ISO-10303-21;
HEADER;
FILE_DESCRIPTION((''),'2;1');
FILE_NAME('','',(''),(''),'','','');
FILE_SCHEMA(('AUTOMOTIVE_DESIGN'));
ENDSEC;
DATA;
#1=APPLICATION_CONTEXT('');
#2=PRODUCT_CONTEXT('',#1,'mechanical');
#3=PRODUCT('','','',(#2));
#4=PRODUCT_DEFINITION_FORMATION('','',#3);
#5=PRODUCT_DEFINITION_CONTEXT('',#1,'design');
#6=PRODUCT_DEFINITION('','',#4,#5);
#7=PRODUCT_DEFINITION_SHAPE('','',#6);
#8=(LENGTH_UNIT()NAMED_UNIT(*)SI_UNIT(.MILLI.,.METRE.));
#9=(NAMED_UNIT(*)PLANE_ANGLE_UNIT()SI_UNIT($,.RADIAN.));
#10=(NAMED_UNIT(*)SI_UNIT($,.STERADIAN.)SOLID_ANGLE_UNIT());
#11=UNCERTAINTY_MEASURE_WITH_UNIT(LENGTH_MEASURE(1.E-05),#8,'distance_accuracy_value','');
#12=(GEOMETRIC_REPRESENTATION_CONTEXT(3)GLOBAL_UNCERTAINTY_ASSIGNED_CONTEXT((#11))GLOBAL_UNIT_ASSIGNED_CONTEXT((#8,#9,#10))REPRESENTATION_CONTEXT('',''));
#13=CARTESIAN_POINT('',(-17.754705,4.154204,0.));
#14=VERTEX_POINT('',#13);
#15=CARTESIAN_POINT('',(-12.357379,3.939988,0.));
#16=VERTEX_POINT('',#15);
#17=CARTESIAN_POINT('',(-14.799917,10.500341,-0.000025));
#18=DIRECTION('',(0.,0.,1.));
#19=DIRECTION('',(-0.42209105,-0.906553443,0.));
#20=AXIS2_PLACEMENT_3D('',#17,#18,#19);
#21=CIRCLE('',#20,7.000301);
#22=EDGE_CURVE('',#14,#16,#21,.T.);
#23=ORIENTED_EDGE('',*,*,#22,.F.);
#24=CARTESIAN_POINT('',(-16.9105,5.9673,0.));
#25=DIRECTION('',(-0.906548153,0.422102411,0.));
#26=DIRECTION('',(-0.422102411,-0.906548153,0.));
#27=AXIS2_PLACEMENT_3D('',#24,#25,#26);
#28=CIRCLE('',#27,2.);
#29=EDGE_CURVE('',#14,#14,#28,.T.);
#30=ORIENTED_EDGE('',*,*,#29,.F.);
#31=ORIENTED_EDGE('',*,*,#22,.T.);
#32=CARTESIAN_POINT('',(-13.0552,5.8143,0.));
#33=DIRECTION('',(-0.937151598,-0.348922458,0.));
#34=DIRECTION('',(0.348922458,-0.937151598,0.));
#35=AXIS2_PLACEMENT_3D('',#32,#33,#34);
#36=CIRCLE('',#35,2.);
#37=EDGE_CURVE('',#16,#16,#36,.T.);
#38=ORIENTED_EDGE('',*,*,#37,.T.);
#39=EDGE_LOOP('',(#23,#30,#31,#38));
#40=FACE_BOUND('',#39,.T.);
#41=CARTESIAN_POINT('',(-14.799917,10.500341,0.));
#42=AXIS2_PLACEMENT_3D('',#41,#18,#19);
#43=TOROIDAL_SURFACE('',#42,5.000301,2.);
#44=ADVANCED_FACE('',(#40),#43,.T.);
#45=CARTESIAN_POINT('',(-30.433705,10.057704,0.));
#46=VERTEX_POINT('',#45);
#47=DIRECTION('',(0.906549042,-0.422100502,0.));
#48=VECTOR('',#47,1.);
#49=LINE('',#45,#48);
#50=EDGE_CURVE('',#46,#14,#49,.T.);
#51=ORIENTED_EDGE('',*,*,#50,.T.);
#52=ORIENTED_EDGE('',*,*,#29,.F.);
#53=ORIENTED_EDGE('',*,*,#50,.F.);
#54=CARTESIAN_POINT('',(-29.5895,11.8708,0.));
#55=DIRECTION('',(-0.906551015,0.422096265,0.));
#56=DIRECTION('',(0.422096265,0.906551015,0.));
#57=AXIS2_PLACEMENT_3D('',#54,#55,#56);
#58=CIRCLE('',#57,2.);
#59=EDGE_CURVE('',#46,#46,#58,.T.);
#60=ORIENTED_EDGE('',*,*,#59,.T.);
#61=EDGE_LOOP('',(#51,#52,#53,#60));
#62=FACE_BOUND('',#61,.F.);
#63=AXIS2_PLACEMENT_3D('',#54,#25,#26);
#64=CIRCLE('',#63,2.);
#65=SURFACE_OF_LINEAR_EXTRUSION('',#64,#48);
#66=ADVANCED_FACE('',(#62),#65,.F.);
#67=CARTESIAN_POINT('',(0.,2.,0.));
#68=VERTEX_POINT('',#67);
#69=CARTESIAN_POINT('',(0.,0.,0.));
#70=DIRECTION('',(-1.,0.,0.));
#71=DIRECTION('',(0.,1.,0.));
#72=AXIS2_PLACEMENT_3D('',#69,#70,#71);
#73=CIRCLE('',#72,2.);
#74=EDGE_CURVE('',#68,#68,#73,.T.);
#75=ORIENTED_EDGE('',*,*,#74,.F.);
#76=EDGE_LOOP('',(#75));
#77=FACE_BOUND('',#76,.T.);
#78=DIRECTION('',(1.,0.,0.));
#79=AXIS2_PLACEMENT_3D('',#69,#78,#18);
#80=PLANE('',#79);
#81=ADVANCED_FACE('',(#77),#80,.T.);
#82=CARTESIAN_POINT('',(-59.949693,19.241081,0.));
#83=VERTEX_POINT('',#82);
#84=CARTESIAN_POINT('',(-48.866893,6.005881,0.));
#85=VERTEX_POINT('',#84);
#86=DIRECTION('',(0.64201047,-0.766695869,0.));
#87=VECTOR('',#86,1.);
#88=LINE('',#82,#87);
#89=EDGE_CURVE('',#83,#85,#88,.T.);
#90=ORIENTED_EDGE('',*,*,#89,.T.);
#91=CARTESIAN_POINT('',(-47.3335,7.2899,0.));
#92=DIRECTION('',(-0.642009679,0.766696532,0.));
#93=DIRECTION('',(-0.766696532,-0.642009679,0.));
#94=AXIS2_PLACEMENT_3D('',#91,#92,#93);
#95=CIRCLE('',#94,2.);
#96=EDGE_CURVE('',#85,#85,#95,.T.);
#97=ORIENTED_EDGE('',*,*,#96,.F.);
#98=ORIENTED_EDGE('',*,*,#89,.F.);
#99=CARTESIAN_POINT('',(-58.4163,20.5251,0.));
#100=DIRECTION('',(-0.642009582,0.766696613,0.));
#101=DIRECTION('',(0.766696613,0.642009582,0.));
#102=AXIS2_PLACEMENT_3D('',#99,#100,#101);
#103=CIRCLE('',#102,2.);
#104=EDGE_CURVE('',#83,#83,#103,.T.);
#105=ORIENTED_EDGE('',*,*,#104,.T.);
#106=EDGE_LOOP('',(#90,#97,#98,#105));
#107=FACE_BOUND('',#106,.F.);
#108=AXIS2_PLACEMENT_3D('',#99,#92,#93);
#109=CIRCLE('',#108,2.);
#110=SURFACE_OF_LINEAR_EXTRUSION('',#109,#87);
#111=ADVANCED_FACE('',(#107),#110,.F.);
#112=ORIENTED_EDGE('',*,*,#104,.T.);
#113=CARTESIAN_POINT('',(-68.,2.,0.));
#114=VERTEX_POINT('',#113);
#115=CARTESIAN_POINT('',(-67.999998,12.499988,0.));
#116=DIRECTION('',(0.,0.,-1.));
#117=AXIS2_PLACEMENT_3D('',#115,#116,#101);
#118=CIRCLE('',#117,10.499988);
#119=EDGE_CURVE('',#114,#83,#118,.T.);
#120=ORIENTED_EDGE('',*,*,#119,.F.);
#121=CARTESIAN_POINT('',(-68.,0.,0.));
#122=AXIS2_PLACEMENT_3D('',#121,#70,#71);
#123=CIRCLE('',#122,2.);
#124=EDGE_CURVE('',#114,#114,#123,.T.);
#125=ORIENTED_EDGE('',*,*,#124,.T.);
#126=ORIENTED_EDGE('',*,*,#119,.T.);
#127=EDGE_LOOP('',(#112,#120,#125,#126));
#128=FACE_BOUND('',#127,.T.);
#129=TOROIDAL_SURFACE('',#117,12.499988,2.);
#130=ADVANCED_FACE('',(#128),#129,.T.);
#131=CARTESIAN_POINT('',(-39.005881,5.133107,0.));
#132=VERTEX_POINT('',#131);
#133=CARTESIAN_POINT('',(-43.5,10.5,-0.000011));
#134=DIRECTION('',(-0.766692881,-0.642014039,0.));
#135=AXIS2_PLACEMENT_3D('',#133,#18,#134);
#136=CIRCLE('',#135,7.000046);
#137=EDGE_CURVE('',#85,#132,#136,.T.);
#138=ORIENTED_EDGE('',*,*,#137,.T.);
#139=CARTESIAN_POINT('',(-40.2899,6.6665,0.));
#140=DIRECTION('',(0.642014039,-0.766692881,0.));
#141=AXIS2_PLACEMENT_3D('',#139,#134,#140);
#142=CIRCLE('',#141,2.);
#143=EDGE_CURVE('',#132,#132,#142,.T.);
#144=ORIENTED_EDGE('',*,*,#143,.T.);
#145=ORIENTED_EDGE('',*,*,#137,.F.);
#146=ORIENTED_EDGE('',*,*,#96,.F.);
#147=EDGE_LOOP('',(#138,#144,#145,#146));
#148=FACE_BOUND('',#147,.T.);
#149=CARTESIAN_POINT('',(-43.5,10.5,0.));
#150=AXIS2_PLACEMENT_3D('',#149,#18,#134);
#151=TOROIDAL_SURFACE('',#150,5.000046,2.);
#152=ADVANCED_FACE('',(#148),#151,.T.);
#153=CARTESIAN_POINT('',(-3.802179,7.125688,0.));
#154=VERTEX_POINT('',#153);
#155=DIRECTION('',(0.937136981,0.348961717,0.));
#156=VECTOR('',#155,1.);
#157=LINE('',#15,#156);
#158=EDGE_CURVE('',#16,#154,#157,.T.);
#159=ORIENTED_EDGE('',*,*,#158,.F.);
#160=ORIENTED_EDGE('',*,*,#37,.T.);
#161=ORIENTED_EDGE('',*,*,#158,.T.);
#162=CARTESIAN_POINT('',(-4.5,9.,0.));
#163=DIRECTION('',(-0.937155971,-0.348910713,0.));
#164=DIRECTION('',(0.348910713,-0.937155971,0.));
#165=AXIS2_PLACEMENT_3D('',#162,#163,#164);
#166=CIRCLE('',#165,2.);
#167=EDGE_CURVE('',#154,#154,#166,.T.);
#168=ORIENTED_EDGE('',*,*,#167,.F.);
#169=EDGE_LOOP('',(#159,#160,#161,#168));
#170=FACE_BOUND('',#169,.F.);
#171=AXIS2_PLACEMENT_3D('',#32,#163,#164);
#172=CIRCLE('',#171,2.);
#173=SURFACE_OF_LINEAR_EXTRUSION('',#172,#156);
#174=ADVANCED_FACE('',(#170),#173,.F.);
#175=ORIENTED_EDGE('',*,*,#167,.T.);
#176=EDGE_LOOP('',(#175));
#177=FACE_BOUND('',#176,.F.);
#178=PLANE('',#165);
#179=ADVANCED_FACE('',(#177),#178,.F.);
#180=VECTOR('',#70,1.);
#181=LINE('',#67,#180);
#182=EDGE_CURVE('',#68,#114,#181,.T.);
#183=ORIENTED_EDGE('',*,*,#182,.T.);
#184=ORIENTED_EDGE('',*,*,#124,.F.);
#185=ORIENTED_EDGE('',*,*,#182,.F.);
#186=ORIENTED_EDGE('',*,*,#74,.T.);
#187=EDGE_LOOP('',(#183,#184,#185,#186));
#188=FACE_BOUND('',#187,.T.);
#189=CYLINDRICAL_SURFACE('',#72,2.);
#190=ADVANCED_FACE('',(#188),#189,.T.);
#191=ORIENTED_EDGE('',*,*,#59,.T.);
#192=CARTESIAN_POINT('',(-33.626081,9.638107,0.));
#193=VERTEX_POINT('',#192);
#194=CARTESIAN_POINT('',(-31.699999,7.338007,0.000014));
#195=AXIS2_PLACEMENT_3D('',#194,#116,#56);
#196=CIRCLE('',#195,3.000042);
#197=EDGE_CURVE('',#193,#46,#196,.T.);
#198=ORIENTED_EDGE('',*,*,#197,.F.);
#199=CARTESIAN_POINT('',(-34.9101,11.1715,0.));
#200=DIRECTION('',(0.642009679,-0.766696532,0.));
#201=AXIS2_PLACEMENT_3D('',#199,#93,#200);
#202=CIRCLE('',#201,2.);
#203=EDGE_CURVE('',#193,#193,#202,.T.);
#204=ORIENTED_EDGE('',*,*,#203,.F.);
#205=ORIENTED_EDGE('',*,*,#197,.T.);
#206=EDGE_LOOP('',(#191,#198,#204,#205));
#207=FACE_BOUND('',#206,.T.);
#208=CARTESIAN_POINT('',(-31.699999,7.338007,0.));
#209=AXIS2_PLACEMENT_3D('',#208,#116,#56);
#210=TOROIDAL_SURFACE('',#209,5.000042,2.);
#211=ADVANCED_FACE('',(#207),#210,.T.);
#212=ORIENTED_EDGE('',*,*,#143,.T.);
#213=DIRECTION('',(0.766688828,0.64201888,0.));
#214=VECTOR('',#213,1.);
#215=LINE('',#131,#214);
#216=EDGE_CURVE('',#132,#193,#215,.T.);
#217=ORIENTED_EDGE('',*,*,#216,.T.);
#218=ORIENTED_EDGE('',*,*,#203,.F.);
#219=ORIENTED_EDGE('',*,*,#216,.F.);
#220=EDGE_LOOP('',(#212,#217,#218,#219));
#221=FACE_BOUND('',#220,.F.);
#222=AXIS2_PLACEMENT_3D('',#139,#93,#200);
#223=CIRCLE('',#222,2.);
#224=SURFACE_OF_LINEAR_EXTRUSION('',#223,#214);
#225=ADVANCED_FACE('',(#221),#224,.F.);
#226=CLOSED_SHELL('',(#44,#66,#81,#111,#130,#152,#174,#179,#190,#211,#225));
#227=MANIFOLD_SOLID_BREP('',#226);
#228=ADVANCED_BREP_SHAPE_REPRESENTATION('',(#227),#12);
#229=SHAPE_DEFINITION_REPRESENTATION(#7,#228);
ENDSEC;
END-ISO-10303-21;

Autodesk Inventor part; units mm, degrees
ref_plane "YZ Plane" through (0, 0, 0) normal (1, 0, 0) x (0, 1, 0)
ref_plane "XZ Plane" through (0, 0, 0) normal (0, 1, 0) x (-1, 0, 0)
ref_plane "XY Plane" through (0, 0, 0) normal (0, 0, 1) x (1, 0, 0)
sketch "Sketch1" plane through (0, 0, 0) normal (0, 0, 1) x (1, 0, 0)
  line L0 (0, 0) -> (-68, 0)
  arc A0 (-58.4163, 20.5251) -> (-68, 0) centre (-68, 12.5) ccw
  line L1 (-58.4163, 20.5251) -> (-47.3335, 7.2899)
  arc A1 (-47.3335, 7.2899) -> (-40.2899, 6.6665) centre (-43.5, 10.5) ccw
  line L2 (-40.2899, 6.6665) -> (-34.9101, 11.1715)
  arc A2 (-29.5895, 11.8708) -> (-34.9101, 11.1715) centre (-31.7, 7.338) ccw
  line L3 (-29.5895, 11.8708) -> (-16.9105, 5.9673)
  arc A3 (-16.9105, 5.9673) -> (-13.0552, 5.8143) centre (-14.8, 10.5) ccw
  line L4 (-13.0552, 5.8143) -> (-4.5, 9)
  dimension "d0" = 68
  dimension "d1" = 12.5
  dimension "d2" = 24.5
  dimension "d3" = 36.3
  dimension "d4" = 53.2
  dimension "d5" = 5
  dimension "d6" = 10.5
  dimension "d8" = 9
  dimension "d9" = 63.5
sketch "Sketch2" plane through (0, 0, 0) normal (1, 0, 0) x (0, 1, 0)
  circle A0 centre (0, 0) radius 2
  dimension "d7" = 4
sweep "Sweep1" add profiles "Sketch2" path "Sketch1"
properties part number "B1"
